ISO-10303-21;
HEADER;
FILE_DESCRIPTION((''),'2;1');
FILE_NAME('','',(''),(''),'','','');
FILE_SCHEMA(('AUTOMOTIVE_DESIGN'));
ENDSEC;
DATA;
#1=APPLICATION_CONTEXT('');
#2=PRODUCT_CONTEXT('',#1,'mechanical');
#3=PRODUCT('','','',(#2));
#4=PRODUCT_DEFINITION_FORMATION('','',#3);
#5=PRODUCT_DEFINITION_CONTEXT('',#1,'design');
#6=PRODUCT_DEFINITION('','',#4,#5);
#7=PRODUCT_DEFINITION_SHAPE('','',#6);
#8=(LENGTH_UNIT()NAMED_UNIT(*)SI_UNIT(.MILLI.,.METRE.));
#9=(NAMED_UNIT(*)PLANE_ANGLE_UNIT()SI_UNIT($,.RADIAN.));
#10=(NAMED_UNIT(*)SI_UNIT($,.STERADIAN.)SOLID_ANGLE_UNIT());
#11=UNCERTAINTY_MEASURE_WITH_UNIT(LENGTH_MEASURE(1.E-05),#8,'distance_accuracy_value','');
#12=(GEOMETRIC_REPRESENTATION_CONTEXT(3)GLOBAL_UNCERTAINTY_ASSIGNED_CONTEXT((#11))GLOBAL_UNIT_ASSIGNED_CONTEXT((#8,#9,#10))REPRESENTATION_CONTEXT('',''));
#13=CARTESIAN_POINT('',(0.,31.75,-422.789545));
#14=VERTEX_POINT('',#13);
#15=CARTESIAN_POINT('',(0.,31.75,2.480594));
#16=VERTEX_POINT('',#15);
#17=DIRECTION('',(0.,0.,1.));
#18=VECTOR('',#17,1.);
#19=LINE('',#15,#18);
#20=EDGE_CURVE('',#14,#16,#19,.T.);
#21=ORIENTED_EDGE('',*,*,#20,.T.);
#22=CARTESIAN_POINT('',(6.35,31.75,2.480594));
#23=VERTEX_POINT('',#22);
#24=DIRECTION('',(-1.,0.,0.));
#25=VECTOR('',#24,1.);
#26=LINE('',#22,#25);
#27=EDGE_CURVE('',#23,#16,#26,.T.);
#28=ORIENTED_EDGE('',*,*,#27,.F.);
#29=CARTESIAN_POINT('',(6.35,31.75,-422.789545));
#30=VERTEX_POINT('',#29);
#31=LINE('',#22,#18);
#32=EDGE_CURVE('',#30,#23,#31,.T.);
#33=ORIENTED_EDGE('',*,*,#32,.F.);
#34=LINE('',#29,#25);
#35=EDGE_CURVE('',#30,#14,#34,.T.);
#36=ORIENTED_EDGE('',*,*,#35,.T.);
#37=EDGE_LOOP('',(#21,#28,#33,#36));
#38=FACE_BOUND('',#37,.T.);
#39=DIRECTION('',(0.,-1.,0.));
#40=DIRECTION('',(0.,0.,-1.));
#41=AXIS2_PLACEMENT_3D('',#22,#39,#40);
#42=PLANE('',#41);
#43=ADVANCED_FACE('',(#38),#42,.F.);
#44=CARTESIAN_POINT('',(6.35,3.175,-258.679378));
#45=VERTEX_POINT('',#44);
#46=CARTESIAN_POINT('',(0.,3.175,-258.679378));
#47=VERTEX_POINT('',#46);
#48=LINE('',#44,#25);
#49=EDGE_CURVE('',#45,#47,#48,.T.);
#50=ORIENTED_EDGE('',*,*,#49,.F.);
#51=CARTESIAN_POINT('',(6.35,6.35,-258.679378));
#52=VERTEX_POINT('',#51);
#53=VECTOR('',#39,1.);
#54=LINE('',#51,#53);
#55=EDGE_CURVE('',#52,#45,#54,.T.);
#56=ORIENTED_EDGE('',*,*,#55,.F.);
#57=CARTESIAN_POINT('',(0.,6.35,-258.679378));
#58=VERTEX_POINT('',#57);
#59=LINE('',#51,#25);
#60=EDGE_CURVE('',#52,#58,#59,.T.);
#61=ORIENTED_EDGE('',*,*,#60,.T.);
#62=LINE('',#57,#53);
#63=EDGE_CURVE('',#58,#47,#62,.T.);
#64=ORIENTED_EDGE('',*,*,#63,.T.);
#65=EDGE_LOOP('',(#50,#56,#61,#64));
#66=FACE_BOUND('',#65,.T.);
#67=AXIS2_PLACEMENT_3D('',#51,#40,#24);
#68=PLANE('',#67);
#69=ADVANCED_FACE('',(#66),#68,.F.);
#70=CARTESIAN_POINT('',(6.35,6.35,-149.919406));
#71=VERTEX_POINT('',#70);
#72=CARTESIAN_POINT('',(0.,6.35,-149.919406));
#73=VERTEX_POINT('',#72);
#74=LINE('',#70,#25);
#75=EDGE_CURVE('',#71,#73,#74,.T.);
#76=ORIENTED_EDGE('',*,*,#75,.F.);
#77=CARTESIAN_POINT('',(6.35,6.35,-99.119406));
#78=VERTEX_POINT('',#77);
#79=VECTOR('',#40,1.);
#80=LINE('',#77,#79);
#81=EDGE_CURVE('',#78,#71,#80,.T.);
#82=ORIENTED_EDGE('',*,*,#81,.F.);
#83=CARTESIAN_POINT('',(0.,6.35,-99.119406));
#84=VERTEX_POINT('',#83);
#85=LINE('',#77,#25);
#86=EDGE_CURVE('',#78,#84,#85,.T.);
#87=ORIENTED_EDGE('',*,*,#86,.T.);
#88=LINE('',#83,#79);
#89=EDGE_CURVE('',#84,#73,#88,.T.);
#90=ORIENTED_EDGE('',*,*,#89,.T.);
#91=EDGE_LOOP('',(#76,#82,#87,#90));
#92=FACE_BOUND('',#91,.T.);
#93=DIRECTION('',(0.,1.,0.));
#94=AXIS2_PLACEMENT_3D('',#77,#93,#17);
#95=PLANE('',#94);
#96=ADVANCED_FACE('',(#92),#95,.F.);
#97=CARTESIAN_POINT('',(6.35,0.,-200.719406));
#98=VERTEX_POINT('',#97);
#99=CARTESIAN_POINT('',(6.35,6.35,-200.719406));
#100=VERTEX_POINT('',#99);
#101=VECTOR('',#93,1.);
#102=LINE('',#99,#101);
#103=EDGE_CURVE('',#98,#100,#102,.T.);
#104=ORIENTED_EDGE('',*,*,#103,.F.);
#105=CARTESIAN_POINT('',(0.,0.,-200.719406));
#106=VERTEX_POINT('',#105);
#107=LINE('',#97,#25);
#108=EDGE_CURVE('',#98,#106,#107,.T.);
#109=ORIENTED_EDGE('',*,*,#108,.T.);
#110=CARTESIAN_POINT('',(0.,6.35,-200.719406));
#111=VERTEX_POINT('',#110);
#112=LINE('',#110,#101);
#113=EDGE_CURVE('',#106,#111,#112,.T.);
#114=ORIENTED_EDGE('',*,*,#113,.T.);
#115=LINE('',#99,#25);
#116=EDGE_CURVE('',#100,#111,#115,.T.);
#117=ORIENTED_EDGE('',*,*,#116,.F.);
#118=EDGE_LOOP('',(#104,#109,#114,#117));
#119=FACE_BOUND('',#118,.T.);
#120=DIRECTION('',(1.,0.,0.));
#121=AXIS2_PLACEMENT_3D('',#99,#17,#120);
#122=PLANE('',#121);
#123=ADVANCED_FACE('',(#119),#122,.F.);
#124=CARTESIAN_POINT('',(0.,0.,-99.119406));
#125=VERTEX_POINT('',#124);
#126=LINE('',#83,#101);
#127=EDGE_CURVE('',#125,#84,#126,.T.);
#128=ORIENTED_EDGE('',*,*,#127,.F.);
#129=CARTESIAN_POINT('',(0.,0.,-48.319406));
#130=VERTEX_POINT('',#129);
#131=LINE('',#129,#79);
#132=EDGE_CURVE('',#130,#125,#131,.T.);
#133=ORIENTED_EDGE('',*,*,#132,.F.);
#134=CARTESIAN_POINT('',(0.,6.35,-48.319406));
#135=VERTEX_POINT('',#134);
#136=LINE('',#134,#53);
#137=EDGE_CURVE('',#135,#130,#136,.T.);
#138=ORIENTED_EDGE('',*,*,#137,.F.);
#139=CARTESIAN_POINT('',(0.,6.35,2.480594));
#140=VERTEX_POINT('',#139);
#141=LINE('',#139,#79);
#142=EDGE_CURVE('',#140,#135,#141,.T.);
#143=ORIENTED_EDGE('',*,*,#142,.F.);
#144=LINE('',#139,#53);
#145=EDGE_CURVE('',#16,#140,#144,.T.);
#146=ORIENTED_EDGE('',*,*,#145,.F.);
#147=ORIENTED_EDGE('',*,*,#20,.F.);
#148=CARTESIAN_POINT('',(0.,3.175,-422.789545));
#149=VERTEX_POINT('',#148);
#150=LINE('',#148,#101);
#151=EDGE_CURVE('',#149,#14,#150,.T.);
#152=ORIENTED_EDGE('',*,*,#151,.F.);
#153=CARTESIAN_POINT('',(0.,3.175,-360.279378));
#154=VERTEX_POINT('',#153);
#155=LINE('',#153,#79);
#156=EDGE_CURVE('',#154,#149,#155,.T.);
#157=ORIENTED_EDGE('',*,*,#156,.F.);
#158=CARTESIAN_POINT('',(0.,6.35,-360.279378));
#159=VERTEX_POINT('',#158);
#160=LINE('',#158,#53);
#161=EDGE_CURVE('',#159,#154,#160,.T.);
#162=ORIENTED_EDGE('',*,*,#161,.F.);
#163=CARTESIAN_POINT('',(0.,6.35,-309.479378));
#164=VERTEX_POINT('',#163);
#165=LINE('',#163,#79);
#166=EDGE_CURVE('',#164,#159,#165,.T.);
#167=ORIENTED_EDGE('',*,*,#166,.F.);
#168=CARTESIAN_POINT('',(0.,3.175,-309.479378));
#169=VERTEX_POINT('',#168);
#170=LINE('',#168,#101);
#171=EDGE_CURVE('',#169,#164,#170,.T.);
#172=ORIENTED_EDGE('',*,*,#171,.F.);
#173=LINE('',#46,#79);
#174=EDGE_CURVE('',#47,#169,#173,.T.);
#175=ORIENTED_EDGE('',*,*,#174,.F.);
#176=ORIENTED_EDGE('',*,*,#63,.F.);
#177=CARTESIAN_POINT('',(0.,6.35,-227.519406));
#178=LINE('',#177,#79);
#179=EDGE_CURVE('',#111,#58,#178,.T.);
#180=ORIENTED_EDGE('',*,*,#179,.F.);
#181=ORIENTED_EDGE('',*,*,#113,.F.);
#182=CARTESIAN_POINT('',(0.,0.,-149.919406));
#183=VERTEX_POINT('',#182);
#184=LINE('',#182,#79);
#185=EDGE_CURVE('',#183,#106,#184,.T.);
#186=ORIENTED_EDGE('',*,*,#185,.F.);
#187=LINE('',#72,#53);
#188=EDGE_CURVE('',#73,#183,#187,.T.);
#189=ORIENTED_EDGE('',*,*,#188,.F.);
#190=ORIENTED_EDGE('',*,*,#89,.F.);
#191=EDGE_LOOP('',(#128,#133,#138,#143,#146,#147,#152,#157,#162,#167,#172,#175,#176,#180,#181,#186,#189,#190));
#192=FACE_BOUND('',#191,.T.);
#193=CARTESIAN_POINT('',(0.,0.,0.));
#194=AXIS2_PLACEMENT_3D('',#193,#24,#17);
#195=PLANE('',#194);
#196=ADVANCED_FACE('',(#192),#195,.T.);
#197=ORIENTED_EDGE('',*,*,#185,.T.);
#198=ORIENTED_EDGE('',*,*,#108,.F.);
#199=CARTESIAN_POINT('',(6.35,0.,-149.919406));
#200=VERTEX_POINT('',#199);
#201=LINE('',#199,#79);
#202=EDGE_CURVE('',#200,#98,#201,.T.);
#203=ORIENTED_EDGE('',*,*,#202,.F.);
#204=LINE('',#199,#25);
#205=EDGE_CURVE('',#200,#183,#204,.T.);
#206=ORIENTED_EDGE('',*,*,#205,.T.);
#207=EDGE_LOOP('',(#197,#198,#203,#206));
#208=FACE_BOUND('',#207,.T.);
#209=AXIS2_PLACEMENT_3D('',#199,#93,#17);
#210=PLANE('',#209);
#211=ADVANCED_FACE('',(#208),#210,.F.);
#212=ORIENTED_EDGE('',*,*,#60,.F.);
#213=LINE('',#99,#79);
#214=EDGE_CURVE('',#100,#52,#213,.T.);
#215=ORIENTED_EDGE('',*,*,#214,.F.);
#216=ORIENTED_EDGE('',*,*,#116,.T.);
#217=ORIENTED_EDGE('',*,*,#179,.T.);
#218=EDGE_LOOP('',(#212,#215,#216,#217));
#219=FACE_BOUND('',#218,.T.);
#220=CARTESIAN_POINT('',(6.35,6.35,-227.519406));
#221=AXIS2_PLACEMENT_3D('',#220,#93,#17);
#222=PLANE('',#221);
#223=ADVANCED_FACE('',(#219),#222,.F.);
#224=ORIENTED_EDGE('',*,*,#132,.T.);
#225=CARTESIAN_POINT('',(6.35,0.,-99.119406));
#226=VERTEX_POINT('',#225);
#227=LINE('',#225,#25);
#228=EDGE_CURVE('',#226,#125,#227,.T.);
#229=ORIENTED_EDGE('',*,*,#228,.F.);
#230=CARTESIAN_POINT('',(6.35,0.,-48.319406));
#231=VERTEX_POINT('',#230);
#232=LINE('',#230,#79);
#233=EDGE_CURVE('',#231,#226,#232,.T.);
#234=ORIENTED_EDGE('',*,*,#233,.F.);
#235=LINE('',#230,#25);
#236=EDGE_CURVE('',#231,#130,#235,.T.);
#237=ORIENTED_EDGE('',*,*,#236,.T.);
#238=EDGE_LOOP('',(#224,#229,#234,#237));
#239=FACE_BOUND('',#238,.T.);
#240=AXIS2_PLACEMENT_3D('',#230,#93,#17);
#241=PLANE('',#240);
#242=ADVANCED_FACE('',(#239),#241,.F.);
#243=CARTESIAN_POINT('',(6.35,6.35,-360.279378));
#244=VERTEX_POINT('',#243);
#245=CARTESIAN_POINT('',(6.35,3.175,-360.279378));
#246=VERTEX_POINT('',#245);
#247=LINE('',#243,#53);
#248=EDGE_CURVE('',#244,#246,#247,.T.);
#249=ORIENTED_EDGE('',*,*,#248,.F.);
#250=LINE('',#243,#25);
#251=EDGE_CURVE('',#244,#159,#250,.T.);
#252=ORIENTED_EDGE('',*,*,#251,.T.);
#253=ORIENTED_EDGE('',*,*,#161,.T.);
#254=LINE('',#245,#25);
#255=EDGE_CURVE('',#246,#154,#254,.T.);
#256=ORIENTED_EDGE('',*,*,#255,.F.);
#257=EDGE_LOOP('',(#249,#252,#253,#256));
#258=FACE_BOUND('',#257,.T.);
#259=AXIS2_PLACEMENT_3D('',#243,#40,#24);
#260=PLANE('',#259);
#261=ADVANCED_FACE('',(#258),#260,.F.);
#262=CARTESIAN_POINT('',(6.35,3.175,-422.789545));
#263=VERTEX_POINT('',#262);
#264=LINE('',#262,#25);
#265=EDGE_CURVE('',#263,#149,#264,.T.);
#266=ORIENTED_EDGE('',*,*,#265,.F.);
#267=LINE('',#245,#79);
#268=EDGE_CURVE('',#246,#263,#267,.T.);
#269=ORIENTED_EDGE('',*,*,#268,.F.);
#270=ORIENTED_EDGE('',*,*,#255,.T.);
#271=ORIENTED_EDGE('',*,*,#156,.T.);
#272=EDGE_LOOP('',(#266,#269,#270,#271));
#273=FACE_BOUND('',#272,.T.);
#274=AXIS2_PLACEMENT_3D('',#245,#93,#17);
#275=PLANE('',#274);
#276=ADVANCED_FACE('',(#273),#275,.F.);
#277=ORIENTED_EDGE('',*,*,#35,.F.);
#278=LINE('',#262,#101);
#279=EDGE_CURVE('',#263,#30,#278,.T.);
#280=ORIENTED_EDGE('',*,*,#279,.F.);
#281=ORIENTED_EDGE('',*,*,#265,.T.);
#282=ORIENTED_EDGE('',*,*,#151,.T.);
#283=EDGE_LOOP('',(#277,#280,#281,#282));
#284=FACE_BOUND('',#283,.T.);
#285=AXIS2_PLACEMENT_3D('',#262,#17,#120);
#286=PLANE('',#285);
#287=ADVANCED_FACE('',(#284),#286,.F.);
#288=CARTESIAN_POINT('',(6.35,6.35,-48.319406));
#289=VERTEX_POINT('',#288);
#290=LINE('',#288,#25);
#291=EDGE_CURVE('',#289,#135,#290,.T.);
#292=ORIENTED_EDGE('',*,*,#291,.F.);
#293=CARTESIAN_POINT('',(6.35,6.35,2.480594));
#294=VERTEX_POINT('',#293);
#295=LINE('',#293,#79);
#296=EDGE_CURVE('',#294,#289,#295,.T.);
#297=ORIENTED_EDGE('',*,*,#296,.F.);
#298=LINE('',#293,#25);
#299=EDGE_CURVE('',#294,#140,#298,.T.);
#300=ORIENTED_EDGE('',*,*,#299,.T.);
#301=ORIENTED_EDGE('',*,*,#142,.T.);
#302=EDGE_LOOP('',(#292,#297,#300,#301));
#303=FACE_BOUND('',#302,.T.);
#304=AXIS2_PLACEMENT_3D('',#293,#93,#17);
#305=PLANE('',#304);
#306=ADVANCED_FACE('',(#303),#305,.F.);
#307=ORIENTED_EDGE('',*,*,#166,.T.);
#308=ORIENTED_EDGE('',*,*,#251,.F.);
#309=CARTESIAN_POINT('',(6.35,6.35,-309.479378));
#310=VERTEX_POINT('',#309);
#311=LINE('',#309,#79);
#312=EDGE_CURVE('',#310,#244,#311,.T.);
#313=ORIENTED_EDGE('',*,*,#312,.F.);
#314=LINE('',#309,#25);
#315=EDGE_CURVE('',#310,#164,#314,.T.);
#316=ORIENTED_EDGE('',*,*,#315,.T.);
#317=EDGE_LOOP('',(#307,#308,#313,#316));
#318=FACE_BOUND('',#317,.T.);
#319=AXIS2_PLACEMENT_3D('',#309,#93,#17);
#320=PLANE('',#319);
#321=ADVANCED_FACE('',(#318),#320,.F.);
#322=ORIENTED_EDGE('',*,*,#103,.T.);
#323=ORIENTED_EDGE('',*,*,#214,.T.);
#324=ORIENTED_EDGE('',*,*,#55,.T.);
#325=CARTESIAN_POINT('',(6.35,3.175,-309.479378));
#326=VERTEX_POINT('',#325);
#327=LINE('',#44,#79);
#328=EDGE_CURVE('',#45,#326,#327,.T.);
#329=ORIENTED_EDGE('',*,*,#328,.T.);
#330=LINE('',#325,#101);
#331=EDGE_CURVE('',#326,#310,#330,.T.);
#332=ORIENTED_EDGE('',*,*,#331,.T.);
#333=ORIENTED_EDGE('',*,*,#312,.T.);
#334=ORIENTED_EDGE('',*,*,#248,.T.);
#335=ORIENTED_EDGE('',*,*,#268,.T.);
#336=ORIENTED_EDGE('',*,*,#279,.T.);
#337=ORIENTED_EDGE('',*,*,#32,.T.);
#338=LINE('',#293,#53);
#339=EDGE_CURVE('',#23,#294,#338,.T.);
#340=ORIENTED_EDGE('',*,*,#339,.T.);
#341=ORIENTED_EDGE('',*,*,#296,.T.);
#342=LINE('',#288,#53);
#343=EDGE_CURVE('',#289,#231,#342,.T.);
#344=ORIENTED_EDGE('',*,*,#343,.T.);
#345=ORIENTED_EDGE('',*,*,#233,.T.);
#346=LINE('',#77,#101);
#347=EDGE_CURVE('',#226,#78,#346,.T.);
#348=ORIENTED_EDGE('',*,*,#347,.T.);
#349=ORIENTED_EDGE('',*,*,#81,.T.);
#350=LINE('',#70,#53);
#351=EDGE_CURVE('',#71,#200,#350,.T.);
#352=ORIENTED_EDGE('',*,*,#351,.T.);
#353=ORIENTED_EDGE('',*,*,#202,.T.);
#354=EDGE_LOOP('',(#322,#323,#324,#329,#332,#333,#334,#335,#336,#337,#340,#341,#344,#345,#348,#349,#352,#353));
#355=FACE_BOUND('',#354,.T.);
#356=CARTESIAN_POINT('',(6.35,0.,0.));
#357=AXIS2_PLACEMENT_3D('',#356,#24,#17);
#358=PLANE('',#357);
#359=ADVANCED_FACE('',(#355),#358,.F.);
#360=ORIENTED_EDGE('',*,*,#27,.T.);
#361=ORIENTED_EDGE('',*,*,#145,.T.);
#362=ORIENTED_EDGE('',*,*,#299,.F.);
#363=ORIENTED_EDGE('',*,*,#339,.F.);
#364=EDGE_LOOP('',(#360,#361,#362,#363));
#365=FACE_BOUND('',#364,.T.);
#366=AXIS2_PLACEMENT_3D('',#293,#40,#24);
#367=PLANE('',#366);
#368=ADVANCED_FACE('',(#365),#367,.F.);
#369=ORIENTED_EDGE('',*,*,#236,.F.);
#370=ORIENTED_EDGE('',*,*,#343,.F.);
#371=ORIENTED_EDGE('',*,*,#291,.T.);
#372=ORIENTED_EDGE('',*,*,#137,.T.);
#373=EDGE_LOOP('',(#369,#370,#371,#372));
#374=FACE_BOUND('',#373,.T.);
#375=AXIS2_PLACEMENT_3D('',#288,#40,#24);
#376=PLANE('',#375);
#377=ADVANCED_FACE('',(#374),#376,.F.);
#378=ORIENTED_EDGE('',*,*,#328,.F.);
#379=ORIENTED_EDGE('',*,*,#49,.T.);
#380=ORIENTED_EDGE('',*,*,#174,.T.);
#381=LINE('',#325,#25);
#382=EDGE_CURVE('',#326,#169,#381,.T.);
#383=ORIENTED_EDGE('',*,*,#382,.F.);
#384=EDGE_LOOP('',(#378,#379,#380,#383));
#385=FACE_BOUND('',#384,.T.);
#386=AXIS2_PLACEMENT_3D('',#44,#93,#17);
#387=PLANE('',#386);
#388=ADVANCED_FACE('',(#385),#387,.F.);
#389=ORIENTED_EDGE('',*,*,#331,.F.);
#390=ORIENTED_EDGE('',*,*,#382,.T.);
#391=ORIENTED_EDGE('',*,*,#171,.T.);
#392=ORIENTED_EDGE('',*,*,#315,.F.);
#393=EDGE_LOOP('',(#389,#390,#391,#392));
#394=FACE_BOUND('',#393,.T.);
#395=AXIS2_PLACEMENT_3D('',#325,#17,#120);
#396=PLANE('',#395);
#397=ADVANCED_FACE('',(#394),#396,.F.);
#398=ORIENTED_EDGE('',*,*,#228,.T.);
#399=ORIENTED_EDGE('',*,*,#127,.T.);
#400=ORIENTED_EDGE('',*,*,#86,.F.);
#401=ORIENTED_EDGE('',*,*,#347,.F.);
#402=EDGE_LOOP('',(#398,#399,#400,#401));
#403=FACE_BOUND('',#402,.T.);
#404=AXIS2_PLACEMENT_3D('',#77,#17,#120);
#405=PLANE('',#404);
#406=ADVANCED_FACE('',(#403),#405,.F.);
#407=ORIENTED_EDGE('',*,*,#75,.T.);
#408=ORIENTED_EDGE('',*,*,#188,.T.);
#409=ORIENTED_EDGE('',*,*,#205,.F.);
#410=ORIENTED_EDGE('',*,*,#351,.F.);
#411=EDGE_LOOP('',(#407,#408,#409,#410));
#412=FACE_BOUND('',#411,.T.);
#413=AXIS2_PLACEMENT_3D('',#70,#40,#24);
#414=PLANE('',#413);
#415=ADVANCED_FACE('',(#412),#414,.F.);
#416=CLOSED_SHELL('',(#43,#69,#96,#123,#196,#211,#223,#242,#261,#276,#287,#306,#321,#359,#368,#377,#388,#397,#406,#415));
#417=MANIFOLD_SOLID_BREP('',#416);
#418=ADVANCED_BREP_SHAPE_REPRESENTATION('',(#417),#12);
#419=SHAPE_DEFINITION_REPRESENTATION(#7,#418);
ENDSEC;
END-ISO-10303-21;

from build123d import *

# Parameters (mm, degrees)
BOSS_EXTRUDE1_DEPTH = 6.35


with BuildPart() as part:
    # Sketch2 → Boss-Extrude1 (new body)
    with BuildSketch(Plane(origin=(0, 0, 0), x_dir=(0, 0, -1), z_dir=(1, 0, 0))):
        Polygon((227.519405744, 6.35), (258.679378365, 6.35), (258.679378365, 3.175), (309.479378365, 3.175), (309.479378365, 6.35), (360.279378365, 6.35), (360.279378365, 3.175), (422.789544579, 3.175), (422.789544579, 31.75), (-2.480594256, 31.75), (-2.480594256, 6.35), (48.319405744, 6.35), (48.319405744, 0), (99.119405744, 0), (99.119405744, 6.35), (149.919405744, 6.35), (149.919405744, 0), (200.719405744, 0), (200.719405744, 6.35), align=None)
    extrude(amount=BOSS_EXTRUDE1_DEPTH)


solid = part.part
